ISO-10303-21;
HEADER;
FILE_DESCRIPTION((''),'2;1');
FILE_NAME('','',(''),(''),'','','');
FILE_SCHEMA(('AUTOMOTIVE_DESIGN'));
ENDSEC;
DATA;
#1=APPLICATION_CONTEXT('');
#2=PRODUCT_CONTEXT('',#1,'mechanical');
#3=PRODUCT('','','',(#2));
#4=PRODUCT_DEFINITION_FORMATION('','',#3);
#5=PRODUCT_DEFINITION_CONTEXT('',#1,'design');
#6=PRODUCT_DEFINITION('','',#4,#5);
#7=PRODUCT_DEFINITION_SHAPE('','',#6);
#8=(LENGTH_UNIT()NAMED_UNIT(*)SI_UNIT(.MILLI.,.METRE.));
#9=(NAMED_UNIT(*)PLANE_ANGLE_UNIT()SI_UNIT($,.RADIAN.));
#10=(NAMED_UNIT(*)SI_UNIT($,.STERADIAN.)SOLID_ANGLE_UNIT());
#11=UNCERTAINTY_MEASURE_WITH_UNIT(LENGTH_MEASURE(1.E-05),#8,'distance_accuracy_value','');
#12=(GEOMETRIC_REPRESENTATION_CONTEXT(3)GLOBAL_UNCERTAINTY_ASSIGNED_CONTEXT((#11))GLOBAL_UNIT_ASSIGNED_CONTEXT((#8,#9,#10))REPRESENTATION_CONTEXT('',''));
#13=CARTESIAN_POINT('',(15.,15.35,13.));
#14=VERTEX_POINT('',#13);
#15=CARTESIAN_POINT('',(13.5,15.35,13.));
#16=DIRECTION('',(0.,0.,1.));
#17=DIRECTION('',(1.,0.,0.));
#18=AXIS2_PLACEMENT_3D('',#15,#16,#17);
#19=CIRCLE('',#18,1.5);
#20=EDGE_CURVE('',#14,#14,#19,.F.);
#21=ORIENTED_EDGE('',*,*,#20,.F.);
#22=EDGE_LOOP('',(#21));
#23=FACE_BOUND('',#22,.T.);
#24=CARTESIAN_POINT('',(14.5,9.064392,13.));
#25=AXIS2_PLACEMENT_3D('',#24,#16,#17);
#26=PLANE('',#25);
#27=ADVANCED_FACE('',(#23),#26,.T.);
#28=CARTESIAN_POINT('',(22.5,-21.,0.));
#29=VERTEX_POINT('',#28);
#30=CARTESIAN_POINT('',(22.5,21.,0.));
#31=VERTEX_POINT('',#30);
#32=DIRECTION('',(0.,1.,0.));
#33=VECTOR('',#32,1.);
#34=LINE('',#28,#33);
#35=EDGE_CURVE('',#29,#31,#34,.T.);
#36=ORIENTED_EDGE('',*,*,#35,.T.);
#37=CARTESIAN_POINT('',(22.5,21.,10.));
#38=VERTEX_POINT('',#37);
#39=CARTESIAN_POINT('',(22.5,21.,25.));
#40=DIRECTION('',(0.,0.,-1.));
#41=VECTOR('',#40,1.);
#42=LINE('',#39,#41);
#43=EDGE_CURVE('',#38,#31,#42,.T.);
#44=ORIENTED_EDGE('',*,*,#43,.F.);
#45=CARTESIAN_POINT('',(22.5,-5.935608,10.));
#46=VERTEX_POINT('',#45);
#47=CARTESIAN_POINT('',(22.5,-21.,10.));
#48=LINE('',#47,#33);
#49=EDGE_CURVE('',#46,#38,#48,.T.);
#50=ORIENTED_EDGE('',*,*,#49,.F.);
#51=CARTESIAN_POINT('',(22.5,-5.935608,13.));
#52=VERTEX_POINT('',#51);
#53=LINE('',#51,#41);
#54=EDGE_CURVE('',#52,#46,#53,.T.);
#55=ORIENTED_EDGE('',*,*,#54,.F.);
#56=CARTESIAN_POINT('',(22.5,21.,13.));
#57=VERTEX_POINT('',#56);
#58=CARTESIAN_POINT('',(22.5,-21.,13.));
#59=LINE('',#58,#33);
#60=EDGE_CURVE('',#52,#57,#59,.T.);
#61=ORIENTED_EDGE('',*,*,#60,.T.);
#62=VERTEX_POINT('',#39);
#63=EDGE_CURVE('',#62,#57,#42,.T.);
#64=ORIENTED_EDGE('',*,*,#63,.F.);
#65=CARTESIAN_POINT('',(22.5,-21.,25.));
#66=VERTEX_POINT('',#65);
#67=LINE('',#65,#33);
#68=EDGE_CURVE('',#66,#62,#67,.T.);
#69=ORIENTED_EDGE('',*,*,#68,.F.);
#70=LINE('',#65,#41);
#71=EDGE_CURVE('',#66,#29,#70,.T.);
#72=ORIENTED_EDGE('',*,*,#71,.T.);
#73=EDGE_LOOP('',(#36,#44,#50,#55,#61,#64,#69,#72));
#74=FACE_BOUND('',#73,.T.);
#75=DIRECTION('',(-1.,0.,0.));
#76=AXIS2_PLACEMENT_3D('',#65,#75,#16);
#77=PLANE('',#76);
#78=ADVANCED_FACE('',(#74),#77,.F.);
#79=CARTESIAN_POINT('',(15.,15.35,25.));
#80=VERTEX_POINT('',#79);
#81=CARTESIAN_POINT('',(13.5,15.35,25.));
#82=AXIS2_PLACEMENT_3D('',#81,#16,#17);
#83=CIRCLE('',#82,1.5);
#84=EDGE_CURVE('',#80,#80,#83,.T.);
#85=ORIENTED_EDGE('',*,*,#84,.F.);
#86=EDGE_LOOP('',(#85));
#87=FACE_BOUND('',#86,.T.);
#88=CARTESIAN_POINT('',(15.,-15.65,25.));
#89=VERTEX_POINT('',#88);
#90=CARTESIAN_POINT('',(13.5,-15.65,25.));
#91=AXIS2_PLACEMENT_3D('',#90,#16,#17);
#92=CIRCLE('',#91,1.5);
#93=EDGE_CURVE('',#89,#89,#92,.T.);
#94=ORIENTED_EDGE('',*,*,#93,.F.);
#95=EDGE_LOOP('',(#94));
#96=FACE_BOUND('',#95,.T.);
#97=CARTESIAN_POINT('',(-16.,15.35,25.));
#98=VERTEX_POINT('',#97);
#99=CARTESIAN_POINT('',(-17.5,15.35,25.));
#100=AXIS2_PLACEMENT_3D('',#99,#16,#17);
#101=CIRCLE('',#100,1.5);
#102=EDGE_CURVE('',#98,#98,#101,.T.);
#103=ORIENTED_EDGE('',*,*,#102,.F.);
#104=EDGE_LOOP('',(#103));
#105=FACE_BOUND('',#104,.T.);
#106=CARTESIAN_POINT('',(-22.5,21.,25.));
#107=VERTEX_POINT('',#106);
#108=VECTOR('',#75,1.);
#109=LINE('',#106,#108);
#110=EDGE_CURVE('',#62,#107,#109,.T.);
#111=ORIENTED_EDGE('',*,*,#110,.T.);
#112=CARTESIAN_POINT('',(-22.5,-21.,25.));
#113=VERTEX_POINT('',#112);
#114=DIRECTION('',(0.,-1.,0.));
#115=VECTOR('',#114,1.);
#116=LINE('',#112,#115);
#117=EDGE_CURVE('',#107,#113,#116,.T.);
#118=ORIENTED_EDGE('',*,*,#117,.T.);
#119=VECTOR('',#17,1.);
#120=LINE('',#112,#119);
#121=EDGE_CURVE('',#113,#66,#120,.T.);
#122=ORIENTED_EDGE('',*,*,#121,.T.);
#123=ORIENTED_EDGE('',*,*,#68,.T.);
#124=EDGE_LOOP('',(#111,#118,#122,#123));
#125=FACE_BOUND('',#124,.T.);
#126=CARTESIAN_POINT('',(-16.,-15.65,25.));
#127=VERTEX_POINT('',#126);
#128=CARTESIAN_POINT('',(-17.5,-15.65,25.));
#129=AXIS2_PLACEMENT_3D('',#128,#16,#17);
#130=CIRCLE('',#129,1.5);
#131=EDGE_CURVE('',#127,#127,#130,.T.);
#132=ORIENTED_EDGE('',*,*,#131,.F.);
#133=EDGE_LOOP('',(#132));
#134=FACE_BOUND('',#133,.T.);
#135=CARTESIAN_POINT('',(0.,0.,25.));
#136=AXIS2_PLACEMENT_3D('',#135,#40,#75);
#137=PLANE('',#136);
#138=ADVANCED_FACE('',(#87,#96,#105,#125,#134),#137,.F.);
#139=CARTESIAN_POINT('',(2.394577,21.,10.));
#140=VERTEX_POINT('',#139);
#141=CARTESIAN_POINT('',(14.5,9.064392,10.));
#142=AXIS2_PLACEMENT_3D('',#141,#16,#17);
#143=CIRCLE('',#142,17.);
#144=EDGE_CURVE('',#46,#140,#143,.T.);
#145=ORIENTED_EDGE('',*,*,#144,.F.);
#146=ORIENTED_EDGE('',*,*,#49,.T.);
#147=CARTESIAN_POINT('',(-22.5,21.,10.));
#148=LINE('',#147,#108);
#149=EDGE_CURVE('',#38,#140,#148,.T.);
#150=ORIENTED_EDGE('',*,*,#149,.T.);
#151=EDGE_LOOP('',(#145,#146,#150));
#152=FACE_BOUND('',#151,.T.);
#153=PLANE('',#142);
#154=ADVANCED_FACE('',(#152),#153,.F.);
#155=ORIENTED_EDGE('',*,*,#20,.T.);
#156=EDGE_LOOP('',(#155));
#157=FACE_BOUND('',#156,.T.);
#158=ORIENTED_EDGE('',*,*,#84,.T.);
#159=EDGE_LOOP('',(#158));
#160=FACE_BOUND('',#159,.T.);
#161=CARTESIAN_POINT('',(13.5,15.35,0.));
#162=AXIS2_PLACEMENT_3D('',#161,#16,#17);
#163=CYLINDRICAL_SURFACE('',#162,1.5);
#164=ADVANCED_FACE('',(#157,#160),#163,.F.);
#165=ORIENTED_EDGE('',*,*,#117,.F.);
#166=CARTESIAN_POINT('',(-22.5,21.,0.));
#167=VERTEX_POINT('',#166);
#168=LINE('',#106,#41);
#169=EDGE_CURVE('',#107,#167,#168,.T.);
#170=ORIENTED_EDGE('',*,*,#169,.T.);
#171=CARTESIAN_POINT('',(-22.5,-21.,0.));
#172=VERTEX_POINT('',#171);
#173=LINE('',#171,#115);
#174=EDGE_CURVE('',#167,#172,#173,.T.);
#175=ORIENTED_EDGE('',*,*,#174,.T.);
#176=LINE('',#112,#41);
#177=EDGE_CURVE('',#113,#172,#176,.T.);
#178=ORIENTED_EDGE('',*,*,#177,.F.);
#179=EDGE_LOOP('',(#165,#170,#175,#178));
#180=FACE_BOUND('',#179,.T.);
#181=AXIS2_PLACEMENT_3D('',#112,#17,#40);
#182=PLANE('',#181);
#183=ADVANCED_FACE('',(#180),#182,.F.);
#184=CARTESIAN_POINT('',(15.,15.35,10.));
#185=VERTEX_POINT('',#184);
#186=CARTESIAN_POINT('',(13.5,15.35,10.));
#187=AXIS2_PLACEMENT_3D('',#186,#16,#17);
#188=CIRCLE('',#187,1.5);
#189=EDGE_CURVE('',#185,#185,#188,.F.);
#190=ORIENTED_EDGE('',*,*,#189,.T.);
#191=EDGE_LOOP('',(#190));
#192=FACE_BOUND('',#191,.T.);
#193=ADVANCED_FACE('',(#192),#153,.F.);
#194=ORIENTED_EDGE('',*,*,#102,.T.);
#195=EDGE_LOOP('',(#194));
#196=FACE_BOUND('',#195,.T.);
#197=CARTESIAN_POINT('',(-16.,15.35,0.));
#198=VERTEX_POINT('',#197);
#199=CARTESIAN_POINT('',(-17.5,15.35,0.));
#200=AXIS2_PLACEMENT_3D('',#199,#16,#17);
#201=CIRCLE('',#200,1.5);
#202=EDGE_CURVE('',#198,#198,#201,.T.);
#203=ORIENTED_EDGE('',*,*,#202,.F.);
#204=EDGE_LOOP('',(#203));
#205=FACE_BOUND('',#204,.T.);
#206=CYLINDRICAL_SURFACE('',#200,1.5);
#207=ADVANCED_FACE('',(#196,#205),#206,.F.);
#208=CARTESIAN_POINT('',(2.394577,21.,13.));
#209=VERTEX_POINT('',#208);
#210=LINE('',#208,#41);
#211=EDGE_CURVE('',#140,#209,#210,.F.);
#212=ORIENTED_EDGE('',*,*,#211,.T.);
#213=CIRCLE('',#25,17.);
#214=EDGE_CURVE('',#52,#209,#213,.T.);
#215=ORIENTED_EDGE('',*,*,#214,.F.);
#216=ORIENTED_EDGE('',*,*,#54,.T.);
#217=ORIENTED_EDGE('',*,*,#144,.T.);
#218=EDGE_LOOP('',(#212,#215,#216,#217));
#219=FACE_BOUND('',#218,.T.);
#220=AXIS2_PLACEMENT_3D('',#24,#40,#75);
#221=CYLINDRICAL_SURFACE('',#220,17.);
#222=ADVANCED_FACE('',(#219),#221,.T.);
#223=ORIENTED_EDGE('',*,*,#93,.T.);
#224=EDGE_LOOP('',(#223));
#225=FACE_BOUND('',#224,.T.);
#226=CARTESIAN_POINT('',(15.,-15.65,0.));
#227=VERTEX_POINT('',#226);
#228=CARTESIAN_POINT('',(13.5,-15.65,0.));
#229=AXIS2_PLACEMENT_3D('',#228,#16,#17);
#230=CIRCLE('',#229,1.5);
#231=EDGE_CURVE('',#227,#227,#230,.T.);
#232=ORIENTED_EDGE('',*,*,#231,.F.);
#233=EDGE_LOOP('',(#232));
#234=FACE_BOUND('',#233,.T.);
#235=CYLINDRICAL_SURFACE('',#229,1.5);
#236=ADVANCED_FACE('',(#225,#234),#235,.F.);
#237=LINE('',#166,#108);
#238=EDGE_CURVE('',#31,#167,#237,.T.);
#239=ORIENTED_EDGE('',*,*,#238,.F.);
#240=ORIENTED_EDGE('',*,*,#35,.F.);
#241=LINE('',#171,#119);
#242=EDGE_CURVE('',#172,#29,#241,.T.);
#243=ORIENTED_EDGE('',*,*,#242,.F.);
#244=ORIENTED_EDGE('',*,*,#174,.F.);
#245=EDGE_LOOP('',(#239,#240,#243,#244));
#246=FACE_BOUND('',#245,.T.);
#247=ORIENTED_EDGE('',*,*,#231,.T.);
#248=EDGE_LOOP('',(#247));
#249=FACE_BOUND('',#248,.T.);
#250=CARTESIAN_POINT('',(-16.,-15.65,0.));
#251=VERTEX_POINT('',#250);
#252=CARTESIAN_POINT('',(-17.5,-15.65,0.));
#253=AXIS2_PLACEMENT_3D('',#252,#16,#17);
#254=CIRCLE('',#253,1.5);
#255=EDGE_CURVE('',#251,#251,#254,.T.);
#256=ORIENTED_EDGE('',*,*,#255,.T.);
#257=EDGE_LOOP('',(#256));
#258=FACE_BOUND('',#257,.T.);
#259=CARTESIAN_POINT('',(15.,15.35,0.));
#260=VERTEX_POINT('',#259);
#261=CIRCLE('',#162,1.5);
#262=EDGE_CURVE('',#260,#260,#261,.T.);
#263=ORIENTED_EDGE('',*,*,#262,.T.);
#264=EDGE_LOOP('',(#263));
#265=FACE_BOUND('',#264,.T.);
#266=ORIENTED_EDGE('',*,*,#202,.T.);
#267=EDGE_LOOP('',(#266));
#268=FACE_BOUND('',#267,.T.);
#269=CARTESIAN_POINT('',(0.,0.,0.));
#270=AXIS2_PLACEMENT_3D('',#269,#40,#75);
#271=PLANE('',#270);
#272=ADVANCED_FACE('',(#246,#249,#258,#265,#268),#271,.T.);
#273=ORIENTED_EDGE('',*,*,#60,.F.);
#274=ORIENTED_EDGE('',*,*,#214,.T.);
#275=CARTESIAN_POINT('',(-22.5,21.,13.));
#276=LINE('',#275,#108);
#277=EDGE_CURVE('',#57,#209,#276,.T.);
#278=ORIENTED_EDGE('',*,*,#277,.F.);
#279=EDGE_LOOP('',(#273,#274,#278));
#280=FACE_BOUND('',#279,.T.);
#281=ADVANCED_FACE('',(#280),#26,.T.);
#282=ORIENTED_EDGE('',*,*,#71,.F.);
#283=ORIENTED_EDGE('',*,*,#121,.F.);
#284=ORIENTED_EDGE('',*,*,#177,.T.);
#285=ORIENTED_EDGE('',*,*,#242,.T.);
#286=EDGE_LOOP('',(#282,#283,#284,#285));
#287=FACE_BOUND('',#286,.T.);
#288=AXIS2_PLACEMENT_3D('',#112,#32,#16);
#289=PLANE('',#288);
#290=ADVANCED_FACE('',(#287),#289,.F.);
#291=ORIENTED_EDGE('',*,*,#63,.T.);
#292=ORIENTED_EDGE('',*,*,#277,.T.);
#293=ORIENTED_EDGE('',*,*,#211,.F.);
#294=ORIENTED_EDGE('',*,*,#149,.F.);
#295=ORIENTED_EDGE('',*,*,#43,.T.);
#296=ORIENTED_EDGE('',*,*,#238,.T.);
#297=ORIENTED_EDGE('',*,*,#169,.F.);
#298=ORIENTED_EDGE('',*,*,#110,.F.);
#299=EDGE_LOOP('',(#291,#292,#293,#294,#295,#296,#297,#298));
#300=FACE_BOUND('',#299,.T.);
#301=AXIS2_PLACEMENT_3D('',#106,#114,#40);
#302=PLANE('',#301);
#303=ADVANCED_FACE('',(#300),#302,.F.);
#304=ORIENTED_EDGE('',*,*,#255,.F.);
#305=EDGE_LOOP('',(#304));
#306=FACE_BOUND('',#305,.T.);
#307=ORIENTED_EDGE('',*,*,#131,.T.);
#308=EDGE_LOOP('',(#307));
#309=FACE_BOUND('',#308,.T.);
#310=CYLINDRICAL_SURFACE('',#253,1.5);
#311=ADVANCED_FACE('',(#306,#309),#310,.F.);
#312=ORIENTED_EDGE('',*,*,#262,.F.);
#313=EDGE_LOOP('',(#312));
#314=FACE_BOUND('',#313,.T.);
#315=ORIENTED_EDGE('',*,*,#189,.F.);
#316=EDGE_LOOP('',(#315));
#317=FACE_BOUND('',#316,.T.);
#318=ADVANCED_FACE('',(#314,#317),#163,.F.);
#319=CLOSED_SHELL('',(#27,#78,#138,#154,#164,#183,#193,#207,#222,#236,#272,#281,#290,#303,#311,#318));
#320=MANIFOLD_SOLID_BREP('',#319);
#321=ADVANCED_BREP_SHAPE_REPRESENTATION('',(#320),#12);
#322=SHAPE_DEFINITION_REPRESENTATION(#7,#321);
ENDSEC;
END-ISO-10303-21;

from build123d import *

# Parameters (mm, degrees)
SKETCH1_W           = 45
SKETCH1_H           = 42
BOSS_EXTRUDE1_DEPTH = 25
SKETCH2_R           = 1.5
CUT_EXTRUDE1_DEPTH  = 26
SKETCH3_R           = 17
BOSS_EXTRUDE2_DEPTH = 3


with BuildPart() as part:
    # Sketch1 → Boss-Extrude1 (new body)
    with BuildSketch(Plane.XY):
        Rectangle(SKETCH1_W, SKETCH1_H)
    extrude(amount=BOSS_EXTRUDE1_DEPTH)

    # Sketch2 → Cut-Extrude1 (cut, through all)
    with BuildSketch(Plane.XY.offset(25)):
        with Locations((13.5, 15.35)):
            Circle(SKETCH2_R)
        with Locations((-17.5, 15.35)):
            Circle(SKETCH2_R)
        with Locations((-17.5, -15.65)):
            Circle(SKETCH2_R)
        with Locations((13.5, -15.65)):
            Circle(SKETCH2_R)
    extrude(amount=-CUT_EXTRUDE1_DEPTH, mode=Mode.SUBTRACT)

    # Sketch3 → Boss-Extrude2 (add)
    with BuildSketch(Plane.XY.offset(10)):
        with Locations((14.5, 9.06439174)):
            Circle(SKETCH3_R)
    extrude(amount=BOSS_EXTRUDE2_DEPTH)


solid = part.part
